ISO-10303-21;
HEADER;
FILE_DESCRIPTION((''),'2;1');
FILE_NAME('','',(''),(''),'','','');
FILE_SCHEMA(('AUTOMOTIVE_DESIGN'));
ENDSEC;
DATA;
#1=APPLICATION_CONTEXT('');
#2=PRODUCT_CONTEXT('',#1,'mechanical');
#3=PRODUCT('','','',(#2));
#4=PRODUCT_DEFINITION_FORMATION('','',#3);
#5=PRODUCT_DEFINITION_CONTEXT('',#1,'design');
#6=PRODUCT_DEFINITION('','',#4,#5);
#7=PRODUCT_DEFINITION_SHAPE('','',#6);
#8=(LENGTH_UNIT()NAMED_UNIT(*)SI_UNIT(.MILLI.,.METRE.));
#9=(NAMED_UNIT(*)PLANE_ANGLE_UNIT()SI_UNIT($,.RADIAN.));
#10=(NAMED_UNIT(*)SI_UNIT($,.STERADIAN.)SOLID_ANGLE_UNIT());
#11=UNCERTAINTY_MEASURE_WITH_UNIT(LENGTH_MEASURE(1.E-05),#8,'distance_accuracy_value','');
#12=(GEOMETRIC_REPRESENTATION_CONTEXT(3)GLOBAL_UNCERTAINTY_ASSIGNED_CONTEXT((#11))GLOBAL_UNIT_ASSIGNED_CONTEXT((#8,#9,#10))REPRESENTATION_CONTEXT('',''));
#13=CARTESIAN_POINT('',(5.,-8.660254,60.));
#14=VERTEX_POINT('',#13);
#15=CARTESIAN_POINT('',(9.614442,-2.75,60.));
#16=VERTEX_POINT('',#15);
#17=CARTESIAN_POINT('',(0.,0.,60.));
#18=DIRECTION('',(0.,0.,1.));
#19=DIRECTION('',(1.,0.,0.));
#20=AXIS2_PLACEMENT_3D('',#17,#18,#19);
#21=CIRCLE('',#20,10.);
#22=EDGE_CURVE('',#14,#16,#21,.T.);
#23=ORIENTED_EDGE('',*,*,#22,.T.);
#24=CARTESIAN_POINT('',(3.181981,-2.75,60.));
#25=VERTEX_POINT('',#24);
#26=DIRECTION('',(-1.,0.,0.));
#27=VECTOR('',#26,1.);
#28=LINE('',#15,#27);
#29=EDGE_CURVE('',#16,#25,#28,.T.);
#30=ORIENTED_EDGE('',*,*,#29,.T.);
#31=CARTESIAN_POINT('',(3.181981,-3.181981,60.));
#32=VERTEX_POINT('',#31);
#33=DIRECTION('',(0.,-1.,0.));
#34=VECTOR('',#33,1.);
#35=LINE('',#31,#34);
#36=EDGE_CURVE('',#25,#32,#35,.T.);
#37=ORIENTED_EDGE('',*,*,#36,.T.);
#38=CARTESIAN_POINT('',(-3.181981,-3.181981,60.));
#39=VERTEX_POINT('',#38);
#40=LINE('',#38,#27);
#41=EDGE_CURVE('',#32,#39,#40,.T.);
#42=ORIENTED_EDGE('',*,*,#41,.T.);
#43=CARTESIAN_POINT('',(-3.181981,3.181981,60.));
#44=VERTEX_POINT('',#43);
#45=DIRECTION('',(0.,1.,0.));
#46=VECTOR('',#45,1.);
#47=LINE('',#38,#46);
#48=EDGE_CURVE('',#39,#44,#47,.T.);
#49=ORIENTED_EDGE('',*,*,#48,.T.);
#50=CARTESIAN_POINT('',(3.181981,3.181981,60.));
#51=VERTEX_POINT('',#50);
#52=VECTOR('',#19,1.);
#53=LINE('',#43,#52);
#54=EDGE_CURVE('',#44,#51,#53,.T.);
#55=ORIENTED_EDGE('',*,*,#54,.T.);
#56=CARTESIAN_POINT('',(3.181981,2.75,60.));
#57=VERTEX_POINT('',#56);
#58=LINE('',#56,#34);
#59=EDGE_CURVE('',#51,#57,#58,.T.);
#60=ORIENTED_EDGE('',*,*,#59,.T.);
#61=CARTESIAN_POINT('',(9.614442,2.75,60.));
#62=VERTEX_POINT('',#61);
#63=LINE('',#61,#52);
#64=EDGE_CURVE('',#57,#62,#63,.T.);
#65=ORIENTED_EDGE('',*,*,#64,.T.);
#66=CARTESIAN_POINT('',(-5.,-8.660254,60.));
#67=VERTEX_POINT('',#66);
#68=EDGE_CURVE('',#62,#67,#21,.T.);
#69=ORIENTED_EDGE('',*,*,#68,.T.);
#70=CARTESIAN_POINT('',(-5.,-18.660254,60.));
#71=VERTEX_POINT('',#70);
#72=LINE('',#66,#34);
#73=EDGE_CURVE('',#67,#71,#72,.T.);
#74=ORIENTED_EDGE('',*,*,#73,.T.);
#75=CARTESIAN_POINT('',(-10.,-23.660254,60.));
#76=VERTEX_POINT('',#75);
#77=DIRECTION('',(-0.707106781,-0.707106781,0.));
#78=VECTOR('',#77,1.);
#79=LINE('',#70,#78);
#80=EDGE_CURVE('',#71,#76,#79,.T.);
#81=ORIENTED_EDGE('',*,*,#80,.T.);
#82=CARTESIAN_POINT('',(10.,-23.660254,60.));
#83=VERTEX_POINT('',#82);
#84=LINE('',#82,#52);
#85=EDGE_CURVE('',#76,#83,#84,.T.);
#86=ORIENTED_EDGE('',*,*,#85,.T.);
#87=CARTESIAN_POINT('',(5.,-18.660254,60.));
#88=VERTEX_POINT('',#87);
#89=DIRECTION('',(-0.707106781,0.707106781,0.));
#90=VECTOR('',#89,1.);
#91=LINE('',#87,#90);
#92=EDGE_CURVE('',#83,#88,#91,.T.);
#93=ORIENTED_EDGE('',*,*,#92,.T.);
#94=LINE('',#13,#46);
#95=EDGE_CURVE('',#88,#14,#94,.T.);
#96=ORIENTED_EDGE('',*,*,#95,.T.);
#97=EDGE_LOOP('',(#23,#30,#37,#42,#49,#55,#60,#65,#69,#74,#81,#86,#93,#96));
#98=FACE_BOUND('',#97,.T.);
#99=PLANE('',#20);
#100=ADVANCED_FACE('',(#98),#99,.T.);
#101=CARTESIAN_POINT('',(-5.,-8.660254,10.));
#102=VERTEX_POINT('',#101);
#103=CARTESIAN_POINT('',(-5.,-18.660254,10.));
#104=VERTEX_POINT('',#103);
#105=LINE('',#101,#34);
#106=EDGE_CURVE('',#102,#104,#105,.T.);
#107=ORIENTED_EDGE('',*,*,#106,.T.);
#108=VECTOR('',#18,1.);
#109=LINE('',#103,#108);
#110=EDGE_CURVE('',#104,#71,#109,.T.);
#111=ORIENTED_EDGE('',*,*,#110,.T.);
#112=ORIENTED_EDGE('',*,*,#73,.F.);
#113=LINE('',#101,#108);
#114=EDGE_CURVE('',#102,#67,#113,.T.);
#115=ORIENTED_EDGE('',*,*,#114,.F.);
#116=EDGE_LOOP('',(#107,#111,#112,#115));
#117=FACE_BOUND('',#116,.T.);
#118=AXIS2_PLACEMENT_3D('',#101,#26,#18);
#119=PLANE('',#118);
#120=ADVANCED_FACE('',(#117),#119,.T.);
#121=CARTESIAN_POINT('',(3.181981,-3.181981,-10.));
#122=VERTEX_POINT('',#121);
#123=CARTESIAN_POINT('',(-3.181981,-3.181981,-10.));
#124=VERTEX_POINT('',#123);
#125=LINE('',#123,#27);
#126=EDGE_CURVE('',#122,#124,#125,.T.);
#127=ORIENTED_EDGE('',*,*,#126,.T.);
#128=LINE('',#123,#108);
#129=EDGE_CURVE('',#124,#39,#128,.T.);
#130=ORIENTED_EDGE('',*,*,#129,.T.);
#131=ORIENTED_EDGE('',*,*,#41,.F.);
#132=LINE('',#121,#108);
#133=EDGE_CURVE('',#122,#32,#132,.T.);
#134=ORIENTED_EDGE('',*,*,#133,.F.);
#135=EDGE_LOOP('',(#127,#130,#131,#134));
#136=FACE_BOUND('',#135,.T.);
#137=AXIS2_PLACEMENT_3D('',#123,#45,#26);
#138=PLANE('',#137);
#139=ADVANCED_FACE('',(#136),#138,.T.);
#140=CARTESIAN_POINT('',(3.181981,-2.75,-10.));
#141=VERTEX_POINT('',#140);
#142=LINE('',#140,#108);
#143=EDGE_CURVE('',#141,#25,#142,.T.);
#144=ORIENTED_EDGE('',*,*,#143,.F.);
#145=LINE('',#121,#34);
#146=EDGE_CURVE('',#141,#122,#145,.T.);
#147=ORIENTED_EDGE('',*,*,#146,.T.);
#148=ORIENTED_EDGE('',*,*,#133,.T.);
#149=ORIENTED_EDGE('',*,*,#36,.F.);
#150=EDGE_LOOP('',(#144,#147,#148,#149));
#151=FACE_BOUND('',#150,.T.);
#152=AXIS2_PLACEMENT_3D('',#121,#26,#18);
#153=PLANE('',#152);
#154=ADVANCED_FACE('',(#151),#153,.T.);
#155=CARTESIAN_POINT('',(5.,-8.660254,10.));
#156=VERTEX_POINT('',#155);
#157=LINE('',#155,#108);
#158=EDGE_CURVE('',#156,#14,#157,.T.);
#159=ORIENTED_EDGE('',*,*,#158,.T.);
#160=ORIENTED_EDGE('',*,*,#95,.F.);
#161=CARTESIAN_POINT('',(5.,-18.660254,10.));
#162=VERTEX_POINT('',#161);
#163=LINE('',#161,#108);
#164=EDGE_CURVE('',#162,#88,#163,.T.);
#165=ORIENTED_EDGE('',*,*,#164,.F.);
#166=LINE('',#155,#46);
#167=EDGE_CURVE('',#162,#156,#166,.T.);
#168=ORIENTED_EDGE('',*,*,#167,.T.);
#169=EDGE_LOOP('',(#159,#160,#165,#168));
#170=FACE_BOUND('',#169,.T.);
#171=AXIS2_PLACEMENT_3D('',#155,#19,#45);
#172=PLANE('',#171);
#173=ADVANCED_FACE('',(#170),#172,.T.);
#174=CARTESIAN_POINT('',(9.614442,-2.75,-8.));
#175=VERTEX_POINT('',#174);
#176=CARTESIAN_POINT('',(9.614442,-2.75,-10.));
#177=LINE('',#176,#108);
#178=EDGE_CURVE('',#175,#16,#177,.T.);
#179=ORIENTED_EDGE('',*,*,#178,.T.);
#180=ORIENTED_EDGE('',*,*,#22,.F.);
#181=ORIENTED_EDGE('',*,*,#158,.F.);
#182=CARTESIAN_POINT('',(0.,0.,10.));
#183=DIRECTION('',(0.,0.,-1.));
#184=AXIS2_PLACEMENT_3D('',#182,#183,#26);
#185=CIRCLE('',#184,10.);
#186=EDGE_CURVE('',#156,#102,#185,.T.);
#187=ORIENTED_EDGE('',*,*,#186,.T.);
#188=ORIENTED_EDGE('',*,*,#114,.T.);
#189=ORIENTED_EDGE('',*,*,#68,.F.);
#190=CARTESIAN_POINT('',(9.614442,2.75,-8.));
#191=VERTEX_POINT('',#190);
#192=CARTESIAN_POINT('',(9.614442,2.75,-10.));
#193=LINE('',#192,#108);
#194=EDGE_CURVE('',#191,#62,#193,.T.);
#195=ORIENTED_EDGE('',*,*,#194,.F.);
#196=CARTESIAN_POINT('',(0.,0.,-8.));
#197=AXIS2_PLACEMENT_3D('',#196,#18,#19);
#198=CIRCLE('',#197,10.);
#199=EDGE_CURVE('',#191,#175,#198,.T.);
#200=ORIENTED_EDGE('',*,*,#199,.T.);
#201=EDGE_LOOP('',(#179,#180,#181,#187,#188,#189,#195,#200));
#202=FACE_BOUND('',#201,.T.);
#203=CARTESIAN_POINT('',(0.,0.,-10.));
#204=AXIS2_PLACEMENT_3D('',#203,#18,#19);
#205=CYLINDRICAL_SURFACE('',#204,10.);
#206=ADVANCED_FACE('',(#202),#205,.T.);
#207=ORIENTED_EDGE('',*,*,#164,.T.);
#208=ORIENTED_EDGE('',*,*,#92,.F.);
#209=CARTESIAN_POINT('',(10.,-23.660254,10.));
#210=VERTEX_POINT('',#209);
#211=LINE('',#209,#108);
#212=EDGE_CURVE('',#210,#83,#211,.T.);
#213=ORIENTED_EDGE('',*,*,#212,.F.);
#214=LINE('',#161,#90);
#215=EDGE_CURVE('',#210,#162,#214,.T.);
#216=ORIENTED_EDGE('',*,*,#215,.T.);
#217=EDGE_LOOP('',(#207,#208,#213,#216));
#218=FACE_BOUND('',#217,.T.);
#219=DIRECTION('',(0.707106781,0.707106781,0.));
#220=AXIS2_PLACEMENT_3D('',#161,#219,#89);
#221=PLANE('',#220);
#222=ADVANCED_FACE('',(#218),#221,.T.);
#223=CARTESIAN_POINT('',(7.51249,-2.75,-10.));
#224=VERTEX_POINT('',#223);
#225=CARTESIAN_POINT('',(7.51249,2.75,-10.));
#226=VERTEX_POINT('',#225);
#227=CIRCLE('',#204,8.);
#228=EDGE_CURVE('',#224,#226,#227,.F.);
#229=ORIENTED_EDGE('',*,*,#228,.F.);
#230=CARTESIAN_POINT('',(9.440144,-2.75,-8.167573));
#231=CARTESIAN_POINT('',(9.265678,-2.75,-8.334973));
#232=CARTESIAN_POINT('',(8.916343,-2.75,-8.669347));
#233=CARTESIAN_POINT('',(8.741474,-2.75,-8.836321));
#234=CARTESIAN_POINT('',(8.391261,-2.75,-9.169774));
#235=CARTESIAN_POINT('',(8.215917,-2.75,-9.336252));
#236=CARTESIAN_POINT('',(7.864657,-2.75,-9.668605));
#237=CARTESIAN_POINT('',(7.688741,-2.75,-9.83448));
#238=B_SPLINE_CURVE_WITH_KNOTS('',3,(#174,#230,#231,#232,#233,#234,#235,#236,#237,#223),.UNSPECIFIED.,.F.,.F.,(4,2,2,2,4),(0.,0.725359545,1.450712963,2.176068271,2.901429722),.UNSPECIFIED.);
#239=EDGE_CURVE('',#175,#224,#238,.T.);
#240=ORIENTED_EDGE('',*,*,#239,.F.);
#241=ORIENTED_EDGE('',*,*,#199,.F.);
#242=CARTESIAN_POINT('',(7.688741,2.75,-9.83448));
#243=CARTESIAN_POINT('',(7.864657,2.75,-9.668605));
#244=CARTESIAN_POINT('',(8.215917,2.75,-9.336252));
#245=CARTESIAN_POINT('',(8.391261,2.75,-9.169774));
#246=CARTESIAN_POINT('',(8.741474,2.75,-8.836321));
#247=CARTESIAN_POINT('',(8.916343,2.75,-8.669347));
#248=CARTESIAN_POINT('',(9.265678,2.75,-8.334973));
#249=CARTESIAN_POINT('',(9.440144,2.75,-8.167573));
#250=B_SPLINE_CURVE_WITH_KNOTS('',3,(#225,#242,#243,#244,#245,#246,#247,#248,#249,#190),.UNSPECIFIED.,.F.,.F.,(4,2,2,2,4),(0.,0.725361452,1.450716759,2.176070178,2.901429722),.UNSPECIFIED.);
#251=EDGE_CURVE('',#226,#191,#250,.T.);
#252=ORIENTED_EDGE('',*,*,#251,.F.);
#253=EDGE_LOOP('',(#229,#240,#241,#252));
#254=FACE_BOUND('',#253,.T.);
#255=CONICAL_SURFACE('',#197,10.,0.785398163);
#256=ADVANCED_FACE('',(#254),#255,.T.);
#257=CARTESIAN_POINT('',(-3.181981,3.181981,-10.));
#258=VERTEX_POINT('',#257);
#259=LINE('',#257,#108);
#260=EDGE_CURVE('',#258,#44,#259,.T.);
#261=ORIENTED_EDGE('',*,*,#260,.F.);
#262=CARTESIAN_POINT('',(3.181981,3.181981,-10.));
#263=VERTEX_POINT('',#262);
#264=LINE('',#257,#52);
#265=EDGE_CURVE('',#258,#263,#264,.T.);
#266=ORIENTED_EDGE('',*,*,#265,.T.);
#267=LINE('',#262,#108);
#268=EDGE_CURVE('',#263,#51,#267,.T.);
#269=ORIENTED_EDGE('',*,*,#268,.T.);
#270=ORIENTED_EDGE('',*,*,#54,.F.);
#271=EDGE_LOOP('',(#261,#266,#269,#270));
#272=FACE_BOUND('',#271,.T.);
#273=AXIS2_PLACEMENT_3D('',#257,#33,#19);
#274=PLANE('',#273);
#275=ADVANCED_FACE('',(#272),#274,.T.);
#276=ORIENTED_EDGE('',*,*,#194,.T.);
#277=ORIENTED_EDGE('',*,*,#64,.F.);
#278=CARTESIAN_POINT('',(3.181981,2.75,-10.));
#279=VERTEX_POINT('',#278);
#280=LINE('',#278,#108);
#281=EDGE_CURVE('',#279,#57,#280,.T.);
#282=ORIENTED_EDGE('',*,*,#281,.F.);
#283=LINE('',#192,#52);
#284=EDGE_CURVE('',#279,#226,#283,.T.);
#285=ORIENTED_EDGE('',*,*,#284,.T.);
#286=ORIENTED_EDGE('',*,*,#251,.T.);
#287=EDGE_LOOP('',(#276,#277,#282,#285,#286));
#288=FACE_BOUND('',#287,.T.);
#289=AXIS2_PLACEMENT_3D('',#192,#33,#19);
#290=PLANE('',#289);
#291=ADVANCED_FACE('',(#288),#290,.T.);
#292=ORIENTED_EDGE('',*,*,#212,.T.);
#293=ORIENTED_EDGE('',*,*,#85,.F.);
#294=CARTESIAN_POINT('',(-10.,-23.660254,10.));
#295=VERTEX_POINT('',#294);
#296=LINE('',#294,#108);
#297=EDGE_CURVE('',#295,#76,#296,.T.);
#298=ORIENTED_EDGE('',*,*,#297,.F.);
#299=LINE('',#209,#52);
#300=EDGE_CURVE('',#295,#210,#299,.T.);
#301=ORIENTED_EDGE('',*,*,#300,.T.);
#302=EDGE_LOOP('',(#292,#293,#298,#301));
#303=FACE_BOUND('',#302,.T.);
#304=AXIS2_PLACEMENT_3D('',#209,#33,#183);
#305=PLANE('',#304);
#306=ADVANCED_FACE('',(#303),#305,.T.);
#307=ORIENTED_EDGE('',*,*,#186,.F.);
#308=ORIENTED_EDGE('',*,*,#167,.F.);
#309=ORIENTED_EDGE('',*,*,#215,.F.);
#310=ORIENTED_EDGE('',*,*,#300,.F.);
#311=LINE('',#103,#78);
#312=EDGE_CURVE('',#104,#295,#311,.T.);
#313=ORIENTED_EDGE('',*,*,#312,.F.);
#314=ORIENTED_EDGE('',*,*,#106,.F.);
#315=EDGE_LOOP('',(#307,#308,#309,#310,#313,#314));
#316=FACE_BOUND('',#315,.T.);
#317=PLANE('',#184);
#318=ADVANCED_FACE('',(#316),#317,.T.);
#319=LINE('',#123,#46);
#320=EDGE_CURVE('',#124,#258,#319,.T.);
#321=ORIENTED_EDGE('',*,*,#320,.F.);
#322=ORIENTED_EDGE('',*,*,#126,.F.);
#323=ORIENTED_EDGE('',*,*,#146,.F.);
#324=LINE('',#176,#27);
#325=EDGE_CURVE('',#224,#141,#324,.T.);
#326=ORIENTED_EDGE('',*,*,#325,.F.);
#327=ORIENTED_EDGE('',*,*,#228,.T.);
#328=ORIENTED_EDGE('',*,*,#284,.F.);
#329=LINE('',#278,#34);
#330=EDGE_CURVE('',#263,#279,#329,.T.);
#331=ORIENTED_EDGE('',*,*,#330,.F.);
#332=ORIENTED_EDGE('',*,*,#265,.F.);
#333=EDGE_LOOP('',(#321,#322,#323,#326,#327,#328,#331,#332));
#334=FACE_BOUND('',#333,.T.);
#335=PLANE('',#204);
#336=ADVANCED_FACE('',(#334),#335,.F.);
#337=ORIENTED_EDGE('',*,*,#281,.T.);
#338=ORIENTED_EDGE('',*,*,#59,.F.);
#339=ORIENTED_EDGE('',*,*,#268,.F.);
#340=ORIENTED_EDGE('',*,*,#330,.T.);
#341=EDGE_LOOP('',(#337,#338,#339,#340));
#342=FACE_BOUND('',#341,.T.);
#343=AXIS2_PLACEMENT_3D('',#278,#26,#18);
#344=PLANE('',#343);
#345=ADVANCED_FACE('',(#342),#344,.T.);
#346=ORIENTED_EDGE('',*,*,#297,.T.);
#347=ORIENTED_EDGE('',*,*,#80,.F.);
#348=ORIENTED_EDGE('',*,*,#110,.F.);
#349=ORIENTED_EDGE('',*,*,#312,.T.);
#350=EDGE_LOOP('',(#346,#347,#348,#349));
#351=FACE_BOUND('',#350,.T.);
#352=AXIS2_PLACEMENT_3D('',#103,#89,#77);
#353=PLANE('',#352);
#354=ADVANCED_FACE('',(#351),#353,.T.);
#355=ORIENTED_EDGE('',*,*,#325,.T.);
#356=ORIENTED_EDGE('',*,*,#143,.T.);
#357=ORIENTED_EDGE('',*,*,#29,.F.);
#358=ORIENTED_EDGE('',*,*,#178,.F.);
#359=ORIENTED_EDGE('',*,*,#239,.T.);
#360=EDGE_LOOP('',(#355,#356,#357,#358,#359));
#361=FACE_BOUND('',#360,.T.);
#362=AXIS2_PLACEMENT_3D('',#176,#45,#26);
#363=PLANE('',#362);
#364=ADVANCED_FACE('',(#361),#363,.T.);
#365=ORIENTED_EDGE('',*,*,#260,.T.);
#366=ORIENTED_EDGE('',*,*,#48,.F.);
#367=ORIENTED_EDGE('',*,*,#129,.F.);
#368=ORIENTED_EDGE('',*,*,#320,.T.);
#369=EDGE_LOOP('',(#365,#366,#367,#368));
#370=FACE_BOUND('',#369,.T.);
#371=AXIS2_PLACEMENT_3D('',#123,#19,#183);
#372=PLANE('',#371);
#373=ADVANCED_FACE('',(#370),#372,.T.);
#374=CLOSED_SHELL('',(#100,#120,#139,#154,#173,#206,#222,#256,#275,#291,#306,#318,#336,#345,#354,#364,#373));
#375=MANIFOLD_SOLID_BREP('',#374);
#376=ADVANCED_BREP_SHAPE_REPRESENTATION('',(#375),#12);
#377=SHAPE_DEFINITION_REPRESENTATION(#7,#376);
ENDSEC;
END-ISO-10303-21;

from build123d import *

# Parameters (mm, degrees)
BOSS_EXTRU_1_DEPTH      = 60
BOSS_EXTRU_1_DEPTH_BACK = 10
BOSS_EXTRU_2_START      = -50
BOSS_EXTRU_2_DEPTH      = 50
CHANFREIN1_SIZE         = 2


with BuildPart() as part:
    # Esquisse1 → Boss.-Extru.1 (new, two sides: drawn at the far end of the back side and taken through both)
    with BuildSketch(Plane.XY.offset(-BOSS_EXTRU_1_DEPTH_BACK)):
        with BuildLine():
            Line((3.181980515, 2.75), (3.181980515, 3.181980515))
            Line((3.181980515, 3.181980515), (-3.181980515, 3.181980515))
            Line((-3.181980515, 3.181980515), (-3.181980515, -3.181980515))
            Line((-3.181980515, -3.181980515), (3.181980515, -3.181980515))
            Line((3.181980515, -3.181980515), (3.181980515, -2.75))
            Line((3.181980515, -2.75), (9.614442262, -2.75))
            ThreePointArc((9.614442262, -2.75), (-10, 0), (9.614442262, 2.75))
            Line((9.614442262, 2.75), (3.181980515, 2.75))
        make_face()
    extrude(amount=BOSS_EXTRU_1_DEPTH + BOSS_EXTRU_1_DEPTH_BACK)

    # Esquisse3 → Boss.-Extru.2 (add)
    with BuildSketch(Plane.XY.offset(60).offset(BOSS_EXTRU_2_START)):
        with BuildLine():
            Line((5, -8.660254038), (5, -18.660254038))
            Line((5, -18.660254038), (10, -23.660254038))
            Line((10, -23.660254038), (-10, -23.660254038))
            Line((-10, -23.660254038), (-5, -18.660254038))
            Line((-5, -18.660254038), (-5, -8.660254038))
            ThreePointArc((-5, -8.660254038), (0, -10), (5, -8.660254038))
        make_face()
    extrude(amount=BOSS_EXTRU_2_DEPTH)

    # Chanfrein1
    chanfrein1_edges = [part.edges().sort_by_distance(p)[0] for p in [
        (-10, 0, -10),
    ]]
    chamfer(chanfrein1_edges, length=CHANFREIN1_SIZE)


solid = part.part
